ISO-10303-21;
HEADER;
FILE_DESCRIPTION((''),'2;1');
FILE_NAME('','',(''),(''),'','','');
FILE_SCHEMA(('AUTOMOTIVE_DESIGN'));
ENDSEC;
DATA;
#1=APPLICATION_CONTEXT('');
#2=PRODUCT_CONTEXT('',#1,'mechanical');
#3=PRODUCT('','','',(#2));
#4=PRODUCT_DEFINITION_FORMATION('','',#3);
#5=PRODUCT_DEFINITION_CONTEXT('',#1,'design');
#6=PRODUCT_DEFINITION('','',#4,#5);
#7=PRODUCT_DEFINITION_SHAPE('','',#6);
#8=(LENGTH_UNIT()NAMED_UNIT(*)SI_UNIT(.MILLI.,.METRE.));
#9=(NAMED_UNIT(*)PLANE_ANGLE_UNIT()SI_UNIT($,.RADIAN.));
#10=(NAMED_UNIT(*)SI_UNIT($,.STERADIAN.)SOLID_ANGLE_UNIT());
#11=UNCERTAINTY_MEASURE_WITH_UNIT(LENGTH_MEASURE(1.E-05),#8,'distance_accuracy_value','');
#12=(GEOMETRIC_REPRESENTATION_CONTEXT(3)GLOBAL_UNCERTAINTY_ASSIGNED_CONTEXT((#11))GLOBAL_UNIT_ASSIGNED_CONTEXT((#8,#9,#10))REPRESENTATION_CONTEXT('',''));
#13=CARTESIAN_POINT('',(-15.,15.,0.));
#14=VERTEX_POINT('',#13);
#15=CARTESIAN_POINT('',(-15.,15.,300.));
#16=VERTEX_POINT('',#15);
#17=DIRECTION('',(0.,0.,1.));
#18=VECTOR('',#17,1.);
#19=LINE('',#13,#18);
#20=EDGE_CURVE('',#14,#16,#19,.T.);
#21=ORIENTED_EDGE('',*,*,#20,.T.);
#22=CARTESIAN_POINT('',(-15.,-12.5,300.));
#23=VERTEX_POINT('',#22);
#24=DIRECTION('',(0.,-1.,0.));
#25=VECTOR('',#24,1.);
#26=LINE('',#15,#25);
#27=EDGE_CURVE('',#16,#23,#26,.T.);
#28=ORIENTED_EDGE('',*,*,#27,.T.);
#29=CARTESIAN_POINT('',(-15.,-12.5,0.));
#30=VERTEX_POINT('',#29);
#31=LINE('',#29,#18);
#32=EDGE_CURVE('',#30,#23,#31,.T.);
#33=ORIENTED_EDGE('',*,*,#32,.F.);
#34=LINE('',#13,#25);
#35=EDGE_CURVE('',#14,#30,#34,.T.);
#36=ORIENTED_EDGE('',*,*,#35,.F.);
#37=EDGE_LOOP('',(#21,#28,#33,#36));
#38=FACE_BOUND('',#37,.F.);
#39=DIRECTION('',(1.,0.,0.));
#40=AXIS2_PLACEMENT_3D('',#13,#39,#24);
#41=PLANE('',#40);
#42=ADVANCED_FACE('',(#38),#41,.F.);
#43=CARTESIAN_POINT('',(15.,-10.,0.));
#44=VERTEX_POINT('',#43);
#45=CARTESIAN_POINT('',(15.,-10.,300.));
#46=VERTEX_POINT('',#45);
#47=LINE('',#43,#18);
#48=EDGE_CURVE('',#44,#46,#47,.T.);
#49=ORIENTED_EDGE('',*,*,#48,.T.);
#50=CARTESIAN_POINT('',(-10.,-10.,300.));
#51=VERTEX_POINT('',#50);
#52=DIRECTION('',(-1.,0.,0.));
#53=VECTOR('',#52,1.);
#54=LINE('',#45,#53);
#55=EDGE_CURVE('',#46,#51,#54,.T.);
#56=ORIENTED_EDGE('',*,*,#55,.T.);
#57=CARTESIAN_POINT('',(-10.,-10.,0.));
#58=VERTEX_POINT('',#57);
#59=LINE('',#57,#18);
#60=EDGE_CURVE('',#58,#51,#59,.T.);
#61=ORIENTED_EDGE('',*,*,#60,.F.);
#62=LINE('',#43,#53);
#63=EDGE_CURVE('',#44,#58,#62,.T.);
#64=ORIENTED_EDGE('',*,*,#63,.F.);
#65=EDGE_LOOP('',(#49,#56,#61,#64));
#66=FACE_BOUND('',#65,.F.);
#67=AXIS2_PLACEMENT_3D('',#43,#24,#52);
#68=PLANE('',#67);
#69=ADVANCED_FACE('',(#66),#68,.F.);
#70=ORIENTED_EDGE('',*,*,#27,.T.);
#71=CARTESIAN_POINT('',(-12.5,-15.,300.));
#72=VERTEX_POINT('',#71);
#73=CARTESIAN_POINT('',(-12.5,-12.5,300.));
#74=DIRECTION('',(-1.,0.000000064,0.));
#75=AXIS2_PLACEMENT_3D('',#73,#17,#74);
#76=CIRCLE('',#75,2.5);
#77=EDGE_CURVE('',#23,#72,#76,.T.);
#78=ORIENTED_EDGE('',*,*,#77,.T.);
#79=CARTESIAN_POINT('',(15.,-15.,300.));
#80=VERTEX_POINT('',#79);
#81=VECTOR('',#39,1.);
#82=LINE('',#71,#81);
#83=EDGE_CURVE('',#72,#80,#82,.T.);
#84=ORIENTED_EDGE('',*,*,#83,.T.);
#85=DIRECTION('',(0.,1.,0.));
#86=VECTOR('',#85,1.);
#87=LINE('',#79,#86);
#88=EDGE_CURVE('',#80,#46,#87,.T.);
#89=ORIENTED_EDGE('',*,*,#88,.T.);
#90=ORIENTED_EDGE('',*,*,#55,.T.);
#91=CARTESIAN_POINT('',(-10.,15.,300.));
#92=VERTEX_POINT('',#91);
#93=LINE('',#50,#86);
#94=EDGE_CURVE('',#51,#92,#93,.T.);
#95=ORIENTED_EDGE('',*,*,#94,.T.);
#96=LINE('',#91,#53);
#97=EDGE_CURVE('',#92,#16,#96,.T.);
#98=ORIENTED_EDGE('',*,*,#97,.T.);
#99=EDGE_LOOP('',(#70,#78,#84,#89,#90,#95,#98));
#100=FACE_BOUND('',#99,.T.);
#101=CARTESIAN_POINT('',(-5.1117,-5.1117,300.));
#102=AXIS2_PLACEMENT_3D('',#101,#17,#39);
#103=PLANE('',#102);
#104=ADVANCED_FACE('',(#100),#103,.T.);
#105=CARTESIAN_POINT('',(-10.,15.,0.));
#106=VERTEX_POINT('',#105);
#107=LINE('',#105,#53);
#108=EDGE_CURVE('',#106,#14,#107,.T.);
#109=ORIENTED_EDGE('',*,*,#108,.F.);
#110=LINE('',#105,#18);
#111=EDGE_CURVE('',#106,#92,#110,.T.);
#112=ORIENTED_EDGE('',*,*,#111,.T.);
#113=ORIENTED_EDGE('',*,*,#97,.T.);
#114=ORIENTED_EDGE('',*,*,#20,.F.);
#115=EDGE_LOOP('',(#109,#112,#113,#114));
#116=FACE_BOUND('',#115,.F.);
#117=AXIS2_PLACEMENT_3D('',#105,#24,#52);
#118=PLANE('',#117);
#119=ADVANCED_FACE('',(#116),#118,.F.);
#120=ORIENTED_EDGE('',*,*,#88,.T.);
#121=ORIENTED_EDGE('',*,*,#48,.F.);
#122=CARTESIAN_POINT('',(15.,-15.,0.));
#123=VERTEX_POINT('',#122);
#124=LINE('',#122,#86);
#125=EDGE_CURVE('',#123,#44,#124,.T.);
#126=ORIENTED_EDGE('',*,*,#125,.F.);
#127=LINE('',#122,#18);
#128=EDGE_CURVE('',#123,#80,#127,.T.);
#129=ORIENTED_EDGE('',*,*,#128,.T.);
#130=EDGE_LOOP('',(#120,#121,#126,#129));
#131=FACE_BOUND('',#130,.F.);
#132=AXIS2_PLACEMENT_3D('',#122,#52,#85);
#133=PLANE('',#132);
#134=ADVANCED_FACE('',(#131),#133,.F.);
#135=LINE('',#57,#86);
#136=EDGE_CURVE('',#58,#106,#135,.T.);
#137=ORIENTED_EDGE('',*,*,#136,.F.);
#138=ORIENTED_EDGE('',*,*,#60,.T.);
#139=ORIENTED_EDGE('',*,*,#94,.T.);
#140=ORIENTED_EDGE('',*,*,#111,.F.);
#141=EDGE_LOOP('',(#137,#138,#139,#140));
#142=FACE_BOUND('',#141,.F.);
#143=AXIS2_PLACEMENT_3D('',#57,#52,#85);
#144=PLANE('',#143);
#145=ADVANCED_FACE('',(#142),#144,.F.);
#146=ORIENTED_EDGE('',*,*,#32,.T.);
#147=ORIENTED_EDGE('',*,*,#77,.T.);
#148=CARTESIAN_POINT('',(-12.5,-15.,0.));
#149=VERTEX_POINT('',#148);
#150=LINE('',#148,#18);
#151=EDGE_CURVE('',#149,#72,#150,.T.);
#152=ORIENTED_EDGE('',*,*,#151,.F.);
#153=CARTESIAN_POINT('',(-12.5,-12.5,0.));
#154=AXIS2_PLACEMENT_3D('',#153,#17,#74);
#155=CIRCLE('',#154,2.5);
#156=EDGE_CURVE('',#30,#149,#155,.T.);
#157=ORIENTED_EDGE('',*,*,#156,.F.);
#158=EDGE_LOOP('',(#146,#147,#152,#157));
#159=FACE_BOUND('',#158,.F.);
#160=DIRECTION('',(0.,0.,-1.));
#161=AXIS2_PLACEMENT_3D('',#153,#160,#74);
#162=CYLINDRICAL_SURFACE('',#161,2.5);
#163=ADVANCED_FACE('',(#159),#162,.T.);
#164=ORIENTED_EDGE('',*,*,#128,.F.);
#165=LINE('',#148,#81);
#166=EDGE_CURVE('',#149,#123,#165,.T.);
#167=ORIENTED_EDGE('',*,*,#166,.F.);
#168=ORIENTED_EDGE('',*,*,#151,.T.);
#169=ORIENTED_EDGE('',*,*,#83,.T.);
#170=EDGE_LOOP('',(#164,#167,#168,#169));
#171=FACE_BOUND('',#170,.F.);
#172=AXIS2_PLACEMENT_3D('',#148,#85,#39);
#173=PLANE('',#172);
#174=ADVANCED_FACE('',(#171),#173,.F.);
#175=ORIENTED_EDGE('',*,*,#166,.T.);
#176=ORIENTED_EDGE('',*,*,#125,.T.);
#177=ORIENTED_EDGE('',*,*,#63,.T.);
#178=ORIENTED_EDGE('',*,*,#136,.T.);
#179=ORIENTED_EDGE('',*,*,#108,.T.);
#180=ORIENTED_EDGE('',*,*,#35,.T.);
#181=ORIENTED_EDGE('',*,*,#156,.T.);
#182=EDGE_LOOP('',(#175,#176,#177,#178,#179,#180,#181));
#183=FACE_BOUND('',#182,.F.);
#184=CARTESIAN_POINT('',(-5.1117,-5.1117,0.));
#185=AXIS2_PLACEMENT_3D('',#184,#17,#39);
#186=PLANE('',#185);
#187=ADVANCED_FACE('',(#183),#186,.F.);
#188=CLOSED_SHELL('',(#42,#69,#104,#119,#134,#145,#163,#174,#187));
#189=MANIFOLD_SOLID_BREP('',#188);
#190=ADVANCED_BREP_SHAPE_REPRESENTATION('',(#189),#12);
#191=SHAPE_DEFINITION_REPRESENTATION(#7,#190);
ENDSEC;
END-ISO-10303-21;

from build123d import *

# Parameters (mm, degrees)
F1_DEPTH = 300


with BuildPart() as f1:
    # F0 (on Top) → F1 (new body)
    with BuildSketch(Plane.XY):
        with BuildLine():
            Line((-10, 15), (-15, 15))
            Line((-15, 15), (-15, -12.5))
            ThreePointArc((-15, -12.5), (-14.267767, -14.267767), (-12.5, -15))
            Line((-12.5, -15), (15, -15))
            Line((15, -15), (15, -10))
            Line((15, -10), (-10, -10))
            Line((-10, -10), (-10, 15))
        make_face()
    extrude(amount=F1_DEPTH)


solid = f1.part
